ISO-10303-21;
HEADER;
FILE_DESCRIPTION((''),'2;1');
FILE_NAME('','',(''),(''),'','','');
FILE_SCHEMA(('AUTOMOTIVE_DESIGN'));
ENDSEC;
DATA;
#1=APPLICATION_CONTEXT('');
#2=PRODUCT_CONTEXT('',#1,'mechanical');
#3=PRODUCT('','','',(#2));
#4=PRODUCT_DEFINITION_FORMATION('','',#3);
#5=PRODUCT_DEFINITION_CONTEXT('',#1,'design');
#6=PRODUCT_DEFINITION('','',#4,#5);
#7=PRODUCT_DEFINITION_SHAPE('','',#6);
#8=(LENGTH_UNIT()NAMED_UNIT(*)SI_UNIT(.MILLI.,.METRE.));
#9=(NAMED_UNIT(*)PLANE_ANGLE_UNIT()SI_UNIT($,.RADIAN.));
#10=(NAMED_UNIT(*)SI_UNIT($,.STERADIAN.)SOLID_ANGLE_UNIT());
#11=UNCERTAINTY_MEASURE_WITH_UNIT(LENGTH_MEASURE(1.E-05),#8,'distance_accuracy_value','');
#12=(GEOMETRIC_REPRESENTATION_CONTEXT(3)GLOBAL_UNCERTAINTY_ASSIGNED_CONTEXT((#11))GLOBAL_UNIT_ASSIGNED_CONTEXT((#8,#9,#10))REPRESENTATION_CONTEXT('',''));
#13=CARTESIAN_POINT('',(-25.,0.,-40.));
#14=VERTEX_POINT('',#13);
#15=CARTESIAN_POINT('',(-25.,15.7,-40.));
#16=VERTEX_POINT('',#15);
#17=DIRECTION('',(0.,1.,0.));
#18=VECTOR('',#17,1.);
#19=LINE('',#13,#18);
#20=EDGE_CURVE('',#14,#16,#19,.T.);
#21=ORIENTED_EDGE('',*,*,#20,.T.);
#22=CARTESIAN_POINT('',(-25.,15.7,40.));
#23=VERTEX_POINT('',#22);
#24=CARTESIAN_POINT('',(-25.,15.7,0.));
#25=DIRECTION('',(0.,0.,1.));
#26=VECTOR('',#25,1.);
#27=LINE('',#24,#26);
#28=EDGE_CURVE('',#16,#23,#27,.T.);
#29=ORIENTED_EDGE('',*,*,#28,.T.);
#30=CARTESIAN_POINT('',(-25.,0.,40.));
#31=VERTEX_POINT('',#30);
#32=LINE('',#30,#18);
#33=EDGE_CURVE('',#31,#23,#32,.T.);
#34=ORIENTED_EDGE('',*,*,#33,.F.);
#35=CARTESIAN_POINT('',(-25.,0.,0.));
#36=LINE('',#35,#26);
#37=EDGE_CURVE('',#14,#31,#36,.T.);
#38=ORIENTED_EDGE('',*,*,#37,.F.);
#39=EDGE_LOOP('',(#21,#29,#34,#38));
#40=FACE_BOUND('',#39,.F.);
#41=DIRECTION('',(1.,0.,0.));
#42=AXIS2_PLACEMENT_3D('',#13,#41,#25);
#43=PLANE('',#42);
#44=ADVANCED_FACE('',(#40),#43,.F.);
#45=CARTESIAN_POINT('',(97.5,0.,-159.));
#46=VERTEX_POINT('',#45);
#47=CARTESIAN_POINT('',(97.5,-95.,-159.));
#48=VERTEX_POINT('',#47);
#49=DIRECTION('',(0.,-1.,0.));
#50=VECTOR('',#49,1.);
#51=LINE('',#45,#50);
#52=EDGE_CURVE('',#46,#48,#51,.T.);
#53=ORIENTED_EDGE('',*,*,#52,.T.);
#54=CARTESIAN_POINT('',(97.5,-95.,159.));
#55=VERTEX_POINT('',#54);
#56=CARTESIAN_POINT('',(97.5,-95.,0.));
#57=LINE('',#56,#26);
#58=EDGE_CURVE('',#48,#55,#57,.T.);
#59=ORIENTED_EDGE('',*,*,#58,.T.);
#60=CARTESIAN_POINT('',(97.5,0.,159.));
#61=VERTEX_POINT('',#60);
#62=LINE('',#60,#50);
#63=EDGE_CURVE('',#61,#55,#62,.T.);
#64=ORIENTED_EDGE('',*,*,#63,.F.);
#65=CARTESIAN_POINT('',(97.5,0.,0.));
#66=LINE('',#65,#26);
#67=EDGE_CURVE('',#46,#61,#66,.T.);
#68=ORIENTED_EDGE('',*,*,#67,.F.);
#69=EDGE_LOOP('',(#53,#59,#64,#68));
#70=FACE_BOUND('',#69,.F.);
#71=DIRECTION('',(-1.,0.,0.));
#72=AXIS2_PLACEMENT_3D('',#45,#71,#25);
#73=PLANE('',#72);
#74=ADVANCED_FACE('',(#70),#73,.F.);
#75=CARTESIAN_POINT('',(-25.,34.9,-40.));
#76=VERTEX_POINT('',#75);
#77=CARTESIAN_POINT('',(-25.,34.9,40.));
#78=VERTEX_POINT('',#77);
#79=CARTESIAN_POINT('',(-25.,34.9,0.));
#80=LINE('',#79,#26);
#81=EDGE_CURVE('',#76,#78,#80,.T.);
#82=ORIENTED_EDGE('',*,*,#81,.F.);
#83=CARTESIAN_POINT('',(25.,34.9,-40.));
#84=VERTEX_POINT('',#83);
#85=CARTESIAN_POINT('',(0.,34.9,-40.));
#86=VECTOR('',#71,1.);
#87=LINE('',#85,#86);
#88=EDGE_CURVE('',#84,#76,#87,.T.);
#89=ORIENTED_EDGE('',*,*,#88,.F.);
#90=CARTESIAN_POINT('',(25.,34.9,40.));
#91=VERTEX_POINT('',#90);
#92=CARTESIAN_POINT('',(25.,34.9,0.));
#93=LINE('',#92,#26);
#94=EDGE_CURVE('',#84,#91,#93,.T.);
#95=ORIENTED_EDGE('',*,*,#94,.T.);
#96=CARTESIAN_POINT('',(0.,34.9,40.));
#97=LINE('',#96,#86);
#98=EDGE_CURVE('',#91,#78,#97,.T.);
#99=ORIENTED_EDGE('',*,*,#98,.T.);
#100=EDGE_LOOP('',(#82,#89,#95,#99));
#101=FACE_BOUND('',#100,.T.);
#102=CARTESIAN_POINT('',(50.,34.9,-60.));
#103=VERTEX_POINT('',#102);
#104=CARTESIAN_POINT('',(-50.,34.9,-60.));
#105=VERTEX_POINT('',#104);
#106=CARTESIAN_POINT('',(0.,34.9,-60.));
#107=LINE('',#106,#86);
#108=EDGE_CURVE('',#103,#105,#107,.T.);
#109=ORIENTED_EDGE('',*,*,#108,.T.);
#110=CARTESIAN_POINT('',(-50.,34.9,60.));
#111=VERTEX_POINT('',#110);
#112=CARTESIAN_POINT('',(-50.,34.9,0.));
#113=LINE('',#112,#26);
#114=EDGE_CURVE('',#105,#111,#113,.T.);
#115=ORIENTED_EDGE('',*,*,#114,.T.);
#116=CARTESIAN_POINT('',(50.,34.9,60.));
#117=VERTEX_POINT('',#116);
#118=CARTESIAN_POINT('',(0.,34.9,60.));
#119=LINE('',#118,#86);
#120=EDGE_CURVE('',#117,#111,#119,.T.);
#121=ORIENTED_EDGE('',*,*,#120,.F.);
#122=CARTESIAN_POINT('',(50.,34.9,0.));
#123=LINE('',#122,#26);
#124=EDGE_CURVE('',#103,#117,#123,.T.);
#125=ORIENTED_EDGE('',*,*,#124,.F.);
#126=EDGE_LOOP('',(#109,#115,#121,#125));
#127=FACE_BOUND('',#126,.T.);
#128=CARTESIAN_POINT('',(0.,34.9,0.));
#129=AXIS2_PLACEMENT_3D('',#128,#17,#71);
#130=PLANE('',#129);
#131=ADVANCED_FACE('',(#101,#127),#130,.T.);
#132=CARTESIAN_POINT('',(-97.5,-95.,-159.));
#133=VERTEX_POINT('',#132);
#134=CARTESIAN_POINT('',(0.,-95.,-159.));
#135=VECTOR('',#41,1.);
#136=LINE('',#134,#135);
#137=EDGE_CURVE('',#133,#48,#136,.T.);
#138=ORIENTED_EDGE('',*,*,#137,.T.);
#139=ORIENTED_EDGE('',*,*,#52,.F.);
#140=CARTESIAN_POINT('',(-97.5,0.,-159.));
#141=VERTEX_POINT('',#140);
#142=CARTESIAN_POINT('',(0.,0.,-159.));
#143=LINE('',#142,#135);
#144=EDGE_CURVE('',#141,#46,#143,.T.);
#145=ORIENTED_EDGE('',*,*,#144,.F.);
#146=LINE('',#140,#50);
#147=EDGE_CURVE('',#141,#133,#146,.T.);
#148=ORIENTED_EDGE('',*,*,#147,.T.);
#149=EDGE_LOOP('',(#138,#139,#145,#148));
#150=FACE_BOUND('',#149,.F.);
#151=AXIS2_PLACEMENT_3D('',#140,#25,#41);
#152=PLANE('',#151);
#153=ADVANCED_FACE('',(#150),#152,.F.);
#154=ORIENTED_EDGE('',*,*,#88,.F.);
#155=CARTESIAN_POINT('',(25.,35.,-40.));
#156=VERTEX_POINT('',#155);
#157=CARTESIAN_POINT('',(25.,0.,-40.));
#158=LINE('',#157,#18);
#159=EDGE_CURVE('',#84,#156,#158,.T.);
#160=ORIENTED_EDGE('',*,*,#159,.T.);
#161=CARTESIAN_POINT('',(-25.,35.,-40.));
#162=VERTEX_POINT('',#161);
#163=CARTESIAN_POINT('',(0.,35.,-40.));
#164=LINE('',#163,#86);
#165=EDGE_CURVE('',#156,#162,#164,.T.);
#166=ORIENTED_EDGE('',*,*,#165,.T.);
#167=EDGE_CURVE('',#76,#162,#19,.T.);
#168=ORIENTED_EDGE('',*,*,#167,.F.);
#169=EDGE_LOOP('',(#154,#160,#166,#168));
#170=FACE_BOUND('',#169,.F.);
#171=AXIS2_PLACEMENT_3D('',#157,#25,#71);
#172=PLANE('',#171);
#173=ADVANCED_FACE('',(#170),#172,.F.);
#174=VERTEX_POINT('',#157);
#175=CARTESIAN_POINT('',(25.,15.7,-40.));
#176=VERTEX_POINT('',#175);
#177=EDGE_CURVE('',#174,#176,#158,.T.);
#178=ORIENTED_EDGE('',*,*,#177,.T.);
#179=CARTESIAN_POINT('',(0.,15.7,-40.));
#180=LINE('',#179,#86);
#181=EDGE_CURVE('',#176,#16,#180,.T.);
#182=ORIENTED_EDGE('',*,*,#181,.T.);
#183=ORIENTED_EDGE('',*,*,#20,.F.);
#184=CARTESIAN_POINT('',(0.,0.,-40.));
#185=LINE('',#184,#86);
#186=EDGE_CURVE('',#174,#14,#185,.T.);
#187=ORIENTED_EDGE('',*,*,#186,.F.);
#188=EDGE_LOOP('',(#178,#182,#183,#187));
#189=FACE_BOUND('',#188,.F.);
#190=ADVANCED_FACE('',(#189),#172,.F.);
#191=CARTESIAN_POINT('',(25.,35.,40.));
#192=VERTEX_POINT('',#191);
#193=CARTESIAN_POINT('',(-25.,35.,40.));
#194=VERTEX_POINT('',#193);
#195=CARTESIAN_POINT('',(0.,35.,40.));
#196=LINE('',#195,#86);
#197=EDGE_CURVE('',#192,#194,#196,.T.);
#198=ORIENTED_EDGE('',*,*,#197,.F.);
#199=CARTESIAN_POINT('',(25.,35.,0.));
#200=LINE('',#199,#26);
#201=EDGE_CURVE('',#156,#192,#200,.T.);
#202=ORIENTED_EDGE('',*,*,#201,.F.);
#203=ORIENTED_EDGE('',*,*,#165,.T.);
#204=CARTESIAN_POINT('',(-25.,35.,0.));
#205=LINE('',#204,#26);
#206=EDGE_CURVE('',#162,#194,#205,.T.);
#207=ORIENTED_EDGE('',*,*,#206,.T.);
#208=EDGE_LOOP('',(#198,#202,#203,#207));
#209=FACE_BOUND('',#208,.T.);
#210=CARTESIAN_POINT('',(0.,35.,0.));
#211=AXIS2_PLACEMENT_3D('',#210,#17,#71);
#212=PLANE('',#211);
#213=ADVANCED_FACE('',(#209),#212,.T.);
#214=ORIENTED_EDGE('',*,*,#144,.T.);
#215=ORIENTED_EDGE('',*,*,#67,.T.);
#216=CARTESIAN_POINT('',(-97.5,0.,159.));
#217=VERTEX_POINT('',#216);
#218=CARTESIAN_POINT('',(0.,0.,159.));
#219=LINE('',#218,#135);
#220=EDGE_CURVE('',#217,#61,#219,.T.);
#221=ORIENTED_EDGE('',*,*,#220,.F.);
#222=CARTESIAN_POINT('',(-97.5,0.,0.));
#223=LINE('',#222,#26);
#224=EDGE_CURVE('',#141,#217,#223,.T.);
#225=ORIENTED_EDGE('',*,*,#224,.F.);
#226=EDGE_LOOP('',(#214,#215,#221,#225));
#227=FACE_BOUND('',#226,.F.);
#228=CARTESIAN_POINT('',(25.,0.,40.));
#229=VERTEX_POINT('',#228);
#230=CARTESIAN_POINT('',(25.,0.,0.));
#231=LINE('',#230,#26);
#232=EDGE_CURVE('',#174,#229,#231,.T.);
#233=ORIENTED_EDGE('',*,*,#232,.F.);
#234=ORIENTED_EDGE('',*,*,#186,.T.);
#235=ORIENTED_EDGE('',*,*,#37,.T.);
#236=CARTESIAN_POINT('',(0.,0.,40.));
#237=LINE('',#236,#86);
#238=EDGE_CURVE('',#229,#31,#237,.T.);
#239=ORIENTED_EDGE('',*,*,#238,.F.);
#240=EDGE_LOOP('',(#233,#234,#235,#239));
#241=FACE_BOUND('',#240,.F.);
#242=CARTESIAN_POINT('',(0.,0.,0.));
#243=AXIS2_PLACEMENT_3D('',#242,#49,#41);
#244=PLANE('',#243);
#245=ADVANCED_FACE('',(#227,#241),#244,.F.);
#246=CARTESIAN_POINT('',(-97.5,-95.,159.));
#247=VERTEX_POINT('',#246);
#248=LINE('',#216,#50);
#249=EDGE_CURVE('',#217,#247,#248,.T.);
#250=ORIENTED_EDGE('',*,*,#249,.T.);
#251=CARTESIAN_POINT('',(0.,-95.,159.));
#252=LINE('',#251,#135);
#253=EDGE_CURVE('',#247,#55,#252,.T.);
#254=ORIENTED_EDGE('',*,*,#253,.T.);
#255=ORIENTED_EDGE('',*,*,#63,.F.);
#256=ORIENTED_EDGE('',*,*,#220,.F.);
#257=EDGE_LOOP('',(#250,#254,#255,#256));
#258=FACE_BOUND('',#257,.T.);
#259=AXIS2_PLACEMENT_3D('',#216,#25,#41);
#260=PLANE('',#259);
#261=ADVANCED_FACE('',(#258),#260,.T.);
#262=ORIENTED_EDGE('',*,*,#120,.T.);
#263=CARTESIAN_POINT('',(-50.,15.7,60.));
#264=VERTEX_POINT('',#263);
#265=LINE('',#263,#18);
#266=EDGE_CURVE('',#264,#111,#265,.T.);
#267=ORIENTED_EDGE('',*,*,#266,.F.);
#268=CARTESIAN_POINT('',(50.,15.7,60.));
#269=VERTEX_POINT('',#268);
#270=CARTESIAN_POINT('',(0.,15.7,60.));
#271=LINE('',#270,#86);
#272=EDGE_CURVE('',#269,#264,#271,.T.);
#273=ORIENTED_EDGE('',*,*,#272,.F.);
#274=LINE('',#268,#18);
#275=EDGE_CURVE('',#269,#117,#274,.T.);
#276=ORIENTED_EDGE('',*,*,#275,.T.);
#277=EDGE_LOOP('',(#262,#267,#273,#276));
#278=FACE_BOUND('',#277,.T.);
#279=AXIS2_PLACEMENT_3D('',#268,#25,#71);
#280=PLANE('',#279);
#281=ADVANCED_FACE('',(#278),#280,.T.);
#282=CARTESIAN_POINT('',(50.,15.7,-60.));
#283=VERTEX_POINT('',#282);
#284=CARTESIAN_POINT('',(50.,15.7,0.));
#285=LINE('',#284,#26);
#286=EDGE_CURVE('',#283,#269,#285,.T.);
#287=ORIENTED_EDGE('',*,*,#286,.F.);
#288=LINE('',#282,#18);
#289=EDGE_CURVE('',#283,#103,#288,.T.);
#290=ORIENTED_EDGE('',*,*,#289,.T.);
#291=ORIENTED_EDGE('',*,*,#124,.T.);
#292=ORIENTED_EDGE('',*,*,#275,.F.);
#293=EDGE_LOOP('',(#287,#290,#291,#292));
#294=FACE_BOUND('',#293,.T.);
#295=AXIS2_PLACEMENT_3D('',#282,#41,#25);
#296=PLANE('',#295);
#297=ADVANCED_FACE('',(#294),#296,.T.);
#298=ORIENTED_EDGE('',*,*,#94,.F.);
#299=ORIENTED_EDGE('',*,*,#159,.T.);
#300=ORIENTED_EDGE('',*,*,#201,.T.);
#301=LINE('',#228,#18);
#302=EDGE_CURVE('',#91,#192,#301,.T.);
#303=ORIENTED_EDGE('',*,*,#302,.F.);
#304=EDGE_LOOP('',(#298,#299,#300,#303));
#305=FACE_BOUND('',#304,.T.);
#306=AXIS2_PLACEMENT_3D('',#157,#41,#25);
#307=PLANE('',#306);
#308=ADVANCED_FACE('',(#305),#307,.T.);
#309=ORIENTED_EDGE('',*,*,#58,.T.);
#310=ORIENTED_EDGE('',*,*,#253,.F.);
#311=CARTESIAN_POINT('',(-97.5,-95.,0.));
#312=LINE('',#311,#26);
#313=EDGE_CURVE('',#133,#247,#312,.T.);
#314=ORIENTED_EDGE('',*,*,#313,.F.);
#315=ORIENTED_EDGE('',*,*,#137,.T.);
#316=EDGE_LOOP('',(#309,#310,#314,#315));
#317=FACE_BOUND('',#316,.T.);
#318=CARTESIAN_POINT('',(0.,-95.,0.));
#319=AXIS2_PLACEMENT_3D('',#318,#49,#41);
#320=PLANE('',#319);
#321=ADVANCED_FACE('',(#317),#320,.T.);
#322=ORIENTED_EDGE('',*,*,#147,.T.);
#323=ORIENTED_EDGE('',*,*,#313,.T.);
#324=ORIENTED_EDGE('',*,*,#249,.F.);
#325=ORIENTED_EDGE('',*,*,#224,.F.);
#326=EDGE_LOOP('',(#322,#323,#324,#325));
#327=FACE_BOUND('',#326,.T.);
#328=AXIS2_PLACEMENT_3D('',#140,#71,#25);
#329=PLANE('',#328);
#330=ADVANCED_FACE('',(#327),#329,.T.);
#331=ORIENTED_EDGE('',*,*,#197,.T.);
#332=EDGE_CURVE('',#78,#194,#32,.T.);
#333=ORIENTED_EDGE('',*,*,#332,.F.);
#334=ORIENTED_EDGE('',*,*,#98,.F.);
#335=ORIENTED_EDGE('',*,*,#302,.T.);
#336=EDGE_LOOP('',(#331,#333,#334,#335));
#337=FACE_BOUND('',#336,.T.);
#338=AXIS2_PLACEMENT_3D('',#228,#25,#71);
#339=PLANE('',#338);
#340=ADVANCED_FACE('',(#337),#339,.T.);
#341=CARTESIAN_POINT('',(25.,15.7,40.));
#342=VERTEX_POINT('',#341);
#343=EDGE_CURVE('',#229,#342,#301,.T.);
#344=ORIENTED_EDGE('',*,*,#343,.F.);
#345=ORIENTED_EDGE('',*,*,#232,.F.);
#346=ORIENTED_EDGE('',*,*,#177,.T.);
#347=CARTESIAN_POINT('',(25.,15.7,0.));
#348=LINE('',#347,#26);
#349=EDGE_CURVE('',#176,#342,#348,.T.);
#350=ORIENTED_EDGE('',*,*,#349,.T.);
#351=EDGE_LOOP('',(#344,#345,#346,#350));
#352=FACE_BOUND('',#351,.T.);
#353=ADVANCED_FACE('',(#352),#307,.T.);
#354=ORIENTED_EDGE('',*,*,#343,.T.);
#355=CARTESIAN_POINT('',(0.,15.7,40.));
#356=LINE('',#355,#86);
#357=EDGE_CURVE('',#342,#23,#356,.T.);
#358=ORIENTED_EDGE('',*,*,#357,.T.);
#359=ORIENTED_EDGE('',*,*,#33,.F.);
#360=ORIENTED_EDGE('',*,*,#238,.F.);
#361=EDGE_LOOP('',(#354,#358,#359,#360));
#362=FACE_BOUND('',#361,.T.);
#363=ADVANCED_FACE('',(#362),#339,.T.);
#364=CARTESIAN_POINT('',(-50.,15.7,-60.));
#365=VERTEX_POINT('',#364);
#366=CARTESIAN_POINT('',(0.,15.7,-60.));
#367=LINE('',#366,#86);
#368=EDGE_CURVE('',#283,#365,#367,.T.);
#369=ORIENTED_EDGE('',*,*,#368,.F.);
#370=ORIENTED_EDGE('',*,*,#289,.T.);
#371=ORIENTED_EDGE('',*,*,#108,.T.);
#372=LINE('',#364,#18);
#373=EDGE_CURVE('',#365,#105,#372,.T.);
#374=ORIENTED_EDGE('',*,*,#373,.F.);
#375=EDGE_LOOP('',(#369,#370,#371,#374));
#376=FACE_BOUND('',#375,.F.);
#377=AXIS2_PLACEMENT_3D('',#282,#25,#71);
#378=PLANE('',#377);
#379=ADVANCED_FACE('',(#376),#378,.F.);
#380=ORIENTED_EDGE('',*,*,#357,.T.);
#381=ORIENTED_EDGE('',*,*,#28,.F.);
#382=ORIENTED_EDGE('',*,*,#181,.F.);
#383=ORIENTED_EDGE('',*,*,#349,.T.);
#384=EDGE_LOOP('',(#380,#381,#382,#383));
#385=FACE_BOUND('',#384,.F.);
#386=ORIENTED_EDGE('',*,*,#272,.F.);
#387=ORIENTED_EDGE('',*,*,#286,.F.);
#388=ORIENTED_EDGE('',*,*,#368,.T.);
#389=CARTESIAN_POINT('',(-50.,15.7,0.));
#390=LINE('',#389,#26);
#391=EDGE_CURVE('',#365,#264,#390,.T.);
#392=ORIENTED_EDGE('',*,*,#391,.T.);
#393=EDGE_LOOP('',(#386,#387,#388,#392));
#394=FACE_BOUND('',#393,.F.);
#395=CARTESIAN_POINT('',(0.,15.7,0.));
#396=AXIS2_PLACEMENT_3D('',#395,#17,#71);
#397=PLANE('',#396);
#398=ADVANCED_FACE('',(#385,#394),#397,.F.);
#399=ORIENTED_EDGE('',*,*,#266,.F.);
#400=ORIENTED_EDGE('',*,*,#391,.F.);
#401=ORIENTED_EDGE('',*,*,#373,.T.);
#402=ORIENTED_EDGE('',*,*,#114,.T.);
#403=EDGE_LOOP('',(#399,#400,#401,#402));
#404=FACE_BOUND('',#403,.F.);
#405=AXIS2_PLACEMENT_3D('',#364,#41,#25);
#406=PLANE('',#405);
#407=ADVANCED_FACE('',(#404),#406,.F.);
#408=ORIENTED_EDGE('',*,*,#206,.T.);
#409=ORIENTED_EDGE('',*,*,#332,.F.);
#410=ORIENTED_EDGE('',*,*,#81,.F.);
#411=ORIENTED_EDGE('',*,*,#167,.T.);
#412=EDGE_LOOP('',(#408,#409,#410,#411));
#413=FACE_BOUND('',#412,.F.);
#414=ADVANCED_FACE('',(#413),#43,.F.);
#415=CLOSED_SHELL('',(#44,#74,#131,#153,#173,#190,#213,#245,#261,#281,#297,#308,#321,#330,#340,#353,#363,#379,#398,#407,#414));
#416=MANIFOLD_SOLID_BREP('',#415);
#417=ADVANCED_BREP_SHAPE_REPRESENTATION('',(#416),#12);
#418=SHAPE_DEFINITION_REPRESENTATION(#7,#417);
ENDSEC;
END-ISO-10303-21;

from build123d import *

# Parameters (mm, degrees)
F0_W     = 195
F0_H     = 318
F1_DEPTH = 95
F2_W     = 50
F2_H     = 80
F3_DEPTH = 35
F4_START = 15.7
F2_W_2   = 100
F2_H_2   = 120
F4_DEPTH = 19.2


with BuildPart() as f1:
    # F0 (on Front) → F1 (new body)
    with BuildSketch(Plane.XZ):
        Rectangle(F0_W, F0_H)
    extrude(amount=F1_DEPTH)

    # F2 (on face) → F3 (join)
    with BuildSketch(Plane(origin=(0, 0, 0), x_dir=(-1, 0, 0), z_dir=(0, 1, 0))):
        Rectangle(F2_W, F2_H)
    extrude(amount=F3_DEPTH)

    # F2 (on face) → F4 (join)
    with BuildSketch(Plane(origin=(0, 0, 0), x_dir=(-1, 0, 0), z_dir=(0, 1, 0)).offset(F4_START)):
        Rectangle(F2_W_2, F2_H_2)
        Rectangle(F2_W, F2_H, mode=Mode.SUBTRACT)
    extrude(amount=F4_DEPTH)


solid = f1.part
